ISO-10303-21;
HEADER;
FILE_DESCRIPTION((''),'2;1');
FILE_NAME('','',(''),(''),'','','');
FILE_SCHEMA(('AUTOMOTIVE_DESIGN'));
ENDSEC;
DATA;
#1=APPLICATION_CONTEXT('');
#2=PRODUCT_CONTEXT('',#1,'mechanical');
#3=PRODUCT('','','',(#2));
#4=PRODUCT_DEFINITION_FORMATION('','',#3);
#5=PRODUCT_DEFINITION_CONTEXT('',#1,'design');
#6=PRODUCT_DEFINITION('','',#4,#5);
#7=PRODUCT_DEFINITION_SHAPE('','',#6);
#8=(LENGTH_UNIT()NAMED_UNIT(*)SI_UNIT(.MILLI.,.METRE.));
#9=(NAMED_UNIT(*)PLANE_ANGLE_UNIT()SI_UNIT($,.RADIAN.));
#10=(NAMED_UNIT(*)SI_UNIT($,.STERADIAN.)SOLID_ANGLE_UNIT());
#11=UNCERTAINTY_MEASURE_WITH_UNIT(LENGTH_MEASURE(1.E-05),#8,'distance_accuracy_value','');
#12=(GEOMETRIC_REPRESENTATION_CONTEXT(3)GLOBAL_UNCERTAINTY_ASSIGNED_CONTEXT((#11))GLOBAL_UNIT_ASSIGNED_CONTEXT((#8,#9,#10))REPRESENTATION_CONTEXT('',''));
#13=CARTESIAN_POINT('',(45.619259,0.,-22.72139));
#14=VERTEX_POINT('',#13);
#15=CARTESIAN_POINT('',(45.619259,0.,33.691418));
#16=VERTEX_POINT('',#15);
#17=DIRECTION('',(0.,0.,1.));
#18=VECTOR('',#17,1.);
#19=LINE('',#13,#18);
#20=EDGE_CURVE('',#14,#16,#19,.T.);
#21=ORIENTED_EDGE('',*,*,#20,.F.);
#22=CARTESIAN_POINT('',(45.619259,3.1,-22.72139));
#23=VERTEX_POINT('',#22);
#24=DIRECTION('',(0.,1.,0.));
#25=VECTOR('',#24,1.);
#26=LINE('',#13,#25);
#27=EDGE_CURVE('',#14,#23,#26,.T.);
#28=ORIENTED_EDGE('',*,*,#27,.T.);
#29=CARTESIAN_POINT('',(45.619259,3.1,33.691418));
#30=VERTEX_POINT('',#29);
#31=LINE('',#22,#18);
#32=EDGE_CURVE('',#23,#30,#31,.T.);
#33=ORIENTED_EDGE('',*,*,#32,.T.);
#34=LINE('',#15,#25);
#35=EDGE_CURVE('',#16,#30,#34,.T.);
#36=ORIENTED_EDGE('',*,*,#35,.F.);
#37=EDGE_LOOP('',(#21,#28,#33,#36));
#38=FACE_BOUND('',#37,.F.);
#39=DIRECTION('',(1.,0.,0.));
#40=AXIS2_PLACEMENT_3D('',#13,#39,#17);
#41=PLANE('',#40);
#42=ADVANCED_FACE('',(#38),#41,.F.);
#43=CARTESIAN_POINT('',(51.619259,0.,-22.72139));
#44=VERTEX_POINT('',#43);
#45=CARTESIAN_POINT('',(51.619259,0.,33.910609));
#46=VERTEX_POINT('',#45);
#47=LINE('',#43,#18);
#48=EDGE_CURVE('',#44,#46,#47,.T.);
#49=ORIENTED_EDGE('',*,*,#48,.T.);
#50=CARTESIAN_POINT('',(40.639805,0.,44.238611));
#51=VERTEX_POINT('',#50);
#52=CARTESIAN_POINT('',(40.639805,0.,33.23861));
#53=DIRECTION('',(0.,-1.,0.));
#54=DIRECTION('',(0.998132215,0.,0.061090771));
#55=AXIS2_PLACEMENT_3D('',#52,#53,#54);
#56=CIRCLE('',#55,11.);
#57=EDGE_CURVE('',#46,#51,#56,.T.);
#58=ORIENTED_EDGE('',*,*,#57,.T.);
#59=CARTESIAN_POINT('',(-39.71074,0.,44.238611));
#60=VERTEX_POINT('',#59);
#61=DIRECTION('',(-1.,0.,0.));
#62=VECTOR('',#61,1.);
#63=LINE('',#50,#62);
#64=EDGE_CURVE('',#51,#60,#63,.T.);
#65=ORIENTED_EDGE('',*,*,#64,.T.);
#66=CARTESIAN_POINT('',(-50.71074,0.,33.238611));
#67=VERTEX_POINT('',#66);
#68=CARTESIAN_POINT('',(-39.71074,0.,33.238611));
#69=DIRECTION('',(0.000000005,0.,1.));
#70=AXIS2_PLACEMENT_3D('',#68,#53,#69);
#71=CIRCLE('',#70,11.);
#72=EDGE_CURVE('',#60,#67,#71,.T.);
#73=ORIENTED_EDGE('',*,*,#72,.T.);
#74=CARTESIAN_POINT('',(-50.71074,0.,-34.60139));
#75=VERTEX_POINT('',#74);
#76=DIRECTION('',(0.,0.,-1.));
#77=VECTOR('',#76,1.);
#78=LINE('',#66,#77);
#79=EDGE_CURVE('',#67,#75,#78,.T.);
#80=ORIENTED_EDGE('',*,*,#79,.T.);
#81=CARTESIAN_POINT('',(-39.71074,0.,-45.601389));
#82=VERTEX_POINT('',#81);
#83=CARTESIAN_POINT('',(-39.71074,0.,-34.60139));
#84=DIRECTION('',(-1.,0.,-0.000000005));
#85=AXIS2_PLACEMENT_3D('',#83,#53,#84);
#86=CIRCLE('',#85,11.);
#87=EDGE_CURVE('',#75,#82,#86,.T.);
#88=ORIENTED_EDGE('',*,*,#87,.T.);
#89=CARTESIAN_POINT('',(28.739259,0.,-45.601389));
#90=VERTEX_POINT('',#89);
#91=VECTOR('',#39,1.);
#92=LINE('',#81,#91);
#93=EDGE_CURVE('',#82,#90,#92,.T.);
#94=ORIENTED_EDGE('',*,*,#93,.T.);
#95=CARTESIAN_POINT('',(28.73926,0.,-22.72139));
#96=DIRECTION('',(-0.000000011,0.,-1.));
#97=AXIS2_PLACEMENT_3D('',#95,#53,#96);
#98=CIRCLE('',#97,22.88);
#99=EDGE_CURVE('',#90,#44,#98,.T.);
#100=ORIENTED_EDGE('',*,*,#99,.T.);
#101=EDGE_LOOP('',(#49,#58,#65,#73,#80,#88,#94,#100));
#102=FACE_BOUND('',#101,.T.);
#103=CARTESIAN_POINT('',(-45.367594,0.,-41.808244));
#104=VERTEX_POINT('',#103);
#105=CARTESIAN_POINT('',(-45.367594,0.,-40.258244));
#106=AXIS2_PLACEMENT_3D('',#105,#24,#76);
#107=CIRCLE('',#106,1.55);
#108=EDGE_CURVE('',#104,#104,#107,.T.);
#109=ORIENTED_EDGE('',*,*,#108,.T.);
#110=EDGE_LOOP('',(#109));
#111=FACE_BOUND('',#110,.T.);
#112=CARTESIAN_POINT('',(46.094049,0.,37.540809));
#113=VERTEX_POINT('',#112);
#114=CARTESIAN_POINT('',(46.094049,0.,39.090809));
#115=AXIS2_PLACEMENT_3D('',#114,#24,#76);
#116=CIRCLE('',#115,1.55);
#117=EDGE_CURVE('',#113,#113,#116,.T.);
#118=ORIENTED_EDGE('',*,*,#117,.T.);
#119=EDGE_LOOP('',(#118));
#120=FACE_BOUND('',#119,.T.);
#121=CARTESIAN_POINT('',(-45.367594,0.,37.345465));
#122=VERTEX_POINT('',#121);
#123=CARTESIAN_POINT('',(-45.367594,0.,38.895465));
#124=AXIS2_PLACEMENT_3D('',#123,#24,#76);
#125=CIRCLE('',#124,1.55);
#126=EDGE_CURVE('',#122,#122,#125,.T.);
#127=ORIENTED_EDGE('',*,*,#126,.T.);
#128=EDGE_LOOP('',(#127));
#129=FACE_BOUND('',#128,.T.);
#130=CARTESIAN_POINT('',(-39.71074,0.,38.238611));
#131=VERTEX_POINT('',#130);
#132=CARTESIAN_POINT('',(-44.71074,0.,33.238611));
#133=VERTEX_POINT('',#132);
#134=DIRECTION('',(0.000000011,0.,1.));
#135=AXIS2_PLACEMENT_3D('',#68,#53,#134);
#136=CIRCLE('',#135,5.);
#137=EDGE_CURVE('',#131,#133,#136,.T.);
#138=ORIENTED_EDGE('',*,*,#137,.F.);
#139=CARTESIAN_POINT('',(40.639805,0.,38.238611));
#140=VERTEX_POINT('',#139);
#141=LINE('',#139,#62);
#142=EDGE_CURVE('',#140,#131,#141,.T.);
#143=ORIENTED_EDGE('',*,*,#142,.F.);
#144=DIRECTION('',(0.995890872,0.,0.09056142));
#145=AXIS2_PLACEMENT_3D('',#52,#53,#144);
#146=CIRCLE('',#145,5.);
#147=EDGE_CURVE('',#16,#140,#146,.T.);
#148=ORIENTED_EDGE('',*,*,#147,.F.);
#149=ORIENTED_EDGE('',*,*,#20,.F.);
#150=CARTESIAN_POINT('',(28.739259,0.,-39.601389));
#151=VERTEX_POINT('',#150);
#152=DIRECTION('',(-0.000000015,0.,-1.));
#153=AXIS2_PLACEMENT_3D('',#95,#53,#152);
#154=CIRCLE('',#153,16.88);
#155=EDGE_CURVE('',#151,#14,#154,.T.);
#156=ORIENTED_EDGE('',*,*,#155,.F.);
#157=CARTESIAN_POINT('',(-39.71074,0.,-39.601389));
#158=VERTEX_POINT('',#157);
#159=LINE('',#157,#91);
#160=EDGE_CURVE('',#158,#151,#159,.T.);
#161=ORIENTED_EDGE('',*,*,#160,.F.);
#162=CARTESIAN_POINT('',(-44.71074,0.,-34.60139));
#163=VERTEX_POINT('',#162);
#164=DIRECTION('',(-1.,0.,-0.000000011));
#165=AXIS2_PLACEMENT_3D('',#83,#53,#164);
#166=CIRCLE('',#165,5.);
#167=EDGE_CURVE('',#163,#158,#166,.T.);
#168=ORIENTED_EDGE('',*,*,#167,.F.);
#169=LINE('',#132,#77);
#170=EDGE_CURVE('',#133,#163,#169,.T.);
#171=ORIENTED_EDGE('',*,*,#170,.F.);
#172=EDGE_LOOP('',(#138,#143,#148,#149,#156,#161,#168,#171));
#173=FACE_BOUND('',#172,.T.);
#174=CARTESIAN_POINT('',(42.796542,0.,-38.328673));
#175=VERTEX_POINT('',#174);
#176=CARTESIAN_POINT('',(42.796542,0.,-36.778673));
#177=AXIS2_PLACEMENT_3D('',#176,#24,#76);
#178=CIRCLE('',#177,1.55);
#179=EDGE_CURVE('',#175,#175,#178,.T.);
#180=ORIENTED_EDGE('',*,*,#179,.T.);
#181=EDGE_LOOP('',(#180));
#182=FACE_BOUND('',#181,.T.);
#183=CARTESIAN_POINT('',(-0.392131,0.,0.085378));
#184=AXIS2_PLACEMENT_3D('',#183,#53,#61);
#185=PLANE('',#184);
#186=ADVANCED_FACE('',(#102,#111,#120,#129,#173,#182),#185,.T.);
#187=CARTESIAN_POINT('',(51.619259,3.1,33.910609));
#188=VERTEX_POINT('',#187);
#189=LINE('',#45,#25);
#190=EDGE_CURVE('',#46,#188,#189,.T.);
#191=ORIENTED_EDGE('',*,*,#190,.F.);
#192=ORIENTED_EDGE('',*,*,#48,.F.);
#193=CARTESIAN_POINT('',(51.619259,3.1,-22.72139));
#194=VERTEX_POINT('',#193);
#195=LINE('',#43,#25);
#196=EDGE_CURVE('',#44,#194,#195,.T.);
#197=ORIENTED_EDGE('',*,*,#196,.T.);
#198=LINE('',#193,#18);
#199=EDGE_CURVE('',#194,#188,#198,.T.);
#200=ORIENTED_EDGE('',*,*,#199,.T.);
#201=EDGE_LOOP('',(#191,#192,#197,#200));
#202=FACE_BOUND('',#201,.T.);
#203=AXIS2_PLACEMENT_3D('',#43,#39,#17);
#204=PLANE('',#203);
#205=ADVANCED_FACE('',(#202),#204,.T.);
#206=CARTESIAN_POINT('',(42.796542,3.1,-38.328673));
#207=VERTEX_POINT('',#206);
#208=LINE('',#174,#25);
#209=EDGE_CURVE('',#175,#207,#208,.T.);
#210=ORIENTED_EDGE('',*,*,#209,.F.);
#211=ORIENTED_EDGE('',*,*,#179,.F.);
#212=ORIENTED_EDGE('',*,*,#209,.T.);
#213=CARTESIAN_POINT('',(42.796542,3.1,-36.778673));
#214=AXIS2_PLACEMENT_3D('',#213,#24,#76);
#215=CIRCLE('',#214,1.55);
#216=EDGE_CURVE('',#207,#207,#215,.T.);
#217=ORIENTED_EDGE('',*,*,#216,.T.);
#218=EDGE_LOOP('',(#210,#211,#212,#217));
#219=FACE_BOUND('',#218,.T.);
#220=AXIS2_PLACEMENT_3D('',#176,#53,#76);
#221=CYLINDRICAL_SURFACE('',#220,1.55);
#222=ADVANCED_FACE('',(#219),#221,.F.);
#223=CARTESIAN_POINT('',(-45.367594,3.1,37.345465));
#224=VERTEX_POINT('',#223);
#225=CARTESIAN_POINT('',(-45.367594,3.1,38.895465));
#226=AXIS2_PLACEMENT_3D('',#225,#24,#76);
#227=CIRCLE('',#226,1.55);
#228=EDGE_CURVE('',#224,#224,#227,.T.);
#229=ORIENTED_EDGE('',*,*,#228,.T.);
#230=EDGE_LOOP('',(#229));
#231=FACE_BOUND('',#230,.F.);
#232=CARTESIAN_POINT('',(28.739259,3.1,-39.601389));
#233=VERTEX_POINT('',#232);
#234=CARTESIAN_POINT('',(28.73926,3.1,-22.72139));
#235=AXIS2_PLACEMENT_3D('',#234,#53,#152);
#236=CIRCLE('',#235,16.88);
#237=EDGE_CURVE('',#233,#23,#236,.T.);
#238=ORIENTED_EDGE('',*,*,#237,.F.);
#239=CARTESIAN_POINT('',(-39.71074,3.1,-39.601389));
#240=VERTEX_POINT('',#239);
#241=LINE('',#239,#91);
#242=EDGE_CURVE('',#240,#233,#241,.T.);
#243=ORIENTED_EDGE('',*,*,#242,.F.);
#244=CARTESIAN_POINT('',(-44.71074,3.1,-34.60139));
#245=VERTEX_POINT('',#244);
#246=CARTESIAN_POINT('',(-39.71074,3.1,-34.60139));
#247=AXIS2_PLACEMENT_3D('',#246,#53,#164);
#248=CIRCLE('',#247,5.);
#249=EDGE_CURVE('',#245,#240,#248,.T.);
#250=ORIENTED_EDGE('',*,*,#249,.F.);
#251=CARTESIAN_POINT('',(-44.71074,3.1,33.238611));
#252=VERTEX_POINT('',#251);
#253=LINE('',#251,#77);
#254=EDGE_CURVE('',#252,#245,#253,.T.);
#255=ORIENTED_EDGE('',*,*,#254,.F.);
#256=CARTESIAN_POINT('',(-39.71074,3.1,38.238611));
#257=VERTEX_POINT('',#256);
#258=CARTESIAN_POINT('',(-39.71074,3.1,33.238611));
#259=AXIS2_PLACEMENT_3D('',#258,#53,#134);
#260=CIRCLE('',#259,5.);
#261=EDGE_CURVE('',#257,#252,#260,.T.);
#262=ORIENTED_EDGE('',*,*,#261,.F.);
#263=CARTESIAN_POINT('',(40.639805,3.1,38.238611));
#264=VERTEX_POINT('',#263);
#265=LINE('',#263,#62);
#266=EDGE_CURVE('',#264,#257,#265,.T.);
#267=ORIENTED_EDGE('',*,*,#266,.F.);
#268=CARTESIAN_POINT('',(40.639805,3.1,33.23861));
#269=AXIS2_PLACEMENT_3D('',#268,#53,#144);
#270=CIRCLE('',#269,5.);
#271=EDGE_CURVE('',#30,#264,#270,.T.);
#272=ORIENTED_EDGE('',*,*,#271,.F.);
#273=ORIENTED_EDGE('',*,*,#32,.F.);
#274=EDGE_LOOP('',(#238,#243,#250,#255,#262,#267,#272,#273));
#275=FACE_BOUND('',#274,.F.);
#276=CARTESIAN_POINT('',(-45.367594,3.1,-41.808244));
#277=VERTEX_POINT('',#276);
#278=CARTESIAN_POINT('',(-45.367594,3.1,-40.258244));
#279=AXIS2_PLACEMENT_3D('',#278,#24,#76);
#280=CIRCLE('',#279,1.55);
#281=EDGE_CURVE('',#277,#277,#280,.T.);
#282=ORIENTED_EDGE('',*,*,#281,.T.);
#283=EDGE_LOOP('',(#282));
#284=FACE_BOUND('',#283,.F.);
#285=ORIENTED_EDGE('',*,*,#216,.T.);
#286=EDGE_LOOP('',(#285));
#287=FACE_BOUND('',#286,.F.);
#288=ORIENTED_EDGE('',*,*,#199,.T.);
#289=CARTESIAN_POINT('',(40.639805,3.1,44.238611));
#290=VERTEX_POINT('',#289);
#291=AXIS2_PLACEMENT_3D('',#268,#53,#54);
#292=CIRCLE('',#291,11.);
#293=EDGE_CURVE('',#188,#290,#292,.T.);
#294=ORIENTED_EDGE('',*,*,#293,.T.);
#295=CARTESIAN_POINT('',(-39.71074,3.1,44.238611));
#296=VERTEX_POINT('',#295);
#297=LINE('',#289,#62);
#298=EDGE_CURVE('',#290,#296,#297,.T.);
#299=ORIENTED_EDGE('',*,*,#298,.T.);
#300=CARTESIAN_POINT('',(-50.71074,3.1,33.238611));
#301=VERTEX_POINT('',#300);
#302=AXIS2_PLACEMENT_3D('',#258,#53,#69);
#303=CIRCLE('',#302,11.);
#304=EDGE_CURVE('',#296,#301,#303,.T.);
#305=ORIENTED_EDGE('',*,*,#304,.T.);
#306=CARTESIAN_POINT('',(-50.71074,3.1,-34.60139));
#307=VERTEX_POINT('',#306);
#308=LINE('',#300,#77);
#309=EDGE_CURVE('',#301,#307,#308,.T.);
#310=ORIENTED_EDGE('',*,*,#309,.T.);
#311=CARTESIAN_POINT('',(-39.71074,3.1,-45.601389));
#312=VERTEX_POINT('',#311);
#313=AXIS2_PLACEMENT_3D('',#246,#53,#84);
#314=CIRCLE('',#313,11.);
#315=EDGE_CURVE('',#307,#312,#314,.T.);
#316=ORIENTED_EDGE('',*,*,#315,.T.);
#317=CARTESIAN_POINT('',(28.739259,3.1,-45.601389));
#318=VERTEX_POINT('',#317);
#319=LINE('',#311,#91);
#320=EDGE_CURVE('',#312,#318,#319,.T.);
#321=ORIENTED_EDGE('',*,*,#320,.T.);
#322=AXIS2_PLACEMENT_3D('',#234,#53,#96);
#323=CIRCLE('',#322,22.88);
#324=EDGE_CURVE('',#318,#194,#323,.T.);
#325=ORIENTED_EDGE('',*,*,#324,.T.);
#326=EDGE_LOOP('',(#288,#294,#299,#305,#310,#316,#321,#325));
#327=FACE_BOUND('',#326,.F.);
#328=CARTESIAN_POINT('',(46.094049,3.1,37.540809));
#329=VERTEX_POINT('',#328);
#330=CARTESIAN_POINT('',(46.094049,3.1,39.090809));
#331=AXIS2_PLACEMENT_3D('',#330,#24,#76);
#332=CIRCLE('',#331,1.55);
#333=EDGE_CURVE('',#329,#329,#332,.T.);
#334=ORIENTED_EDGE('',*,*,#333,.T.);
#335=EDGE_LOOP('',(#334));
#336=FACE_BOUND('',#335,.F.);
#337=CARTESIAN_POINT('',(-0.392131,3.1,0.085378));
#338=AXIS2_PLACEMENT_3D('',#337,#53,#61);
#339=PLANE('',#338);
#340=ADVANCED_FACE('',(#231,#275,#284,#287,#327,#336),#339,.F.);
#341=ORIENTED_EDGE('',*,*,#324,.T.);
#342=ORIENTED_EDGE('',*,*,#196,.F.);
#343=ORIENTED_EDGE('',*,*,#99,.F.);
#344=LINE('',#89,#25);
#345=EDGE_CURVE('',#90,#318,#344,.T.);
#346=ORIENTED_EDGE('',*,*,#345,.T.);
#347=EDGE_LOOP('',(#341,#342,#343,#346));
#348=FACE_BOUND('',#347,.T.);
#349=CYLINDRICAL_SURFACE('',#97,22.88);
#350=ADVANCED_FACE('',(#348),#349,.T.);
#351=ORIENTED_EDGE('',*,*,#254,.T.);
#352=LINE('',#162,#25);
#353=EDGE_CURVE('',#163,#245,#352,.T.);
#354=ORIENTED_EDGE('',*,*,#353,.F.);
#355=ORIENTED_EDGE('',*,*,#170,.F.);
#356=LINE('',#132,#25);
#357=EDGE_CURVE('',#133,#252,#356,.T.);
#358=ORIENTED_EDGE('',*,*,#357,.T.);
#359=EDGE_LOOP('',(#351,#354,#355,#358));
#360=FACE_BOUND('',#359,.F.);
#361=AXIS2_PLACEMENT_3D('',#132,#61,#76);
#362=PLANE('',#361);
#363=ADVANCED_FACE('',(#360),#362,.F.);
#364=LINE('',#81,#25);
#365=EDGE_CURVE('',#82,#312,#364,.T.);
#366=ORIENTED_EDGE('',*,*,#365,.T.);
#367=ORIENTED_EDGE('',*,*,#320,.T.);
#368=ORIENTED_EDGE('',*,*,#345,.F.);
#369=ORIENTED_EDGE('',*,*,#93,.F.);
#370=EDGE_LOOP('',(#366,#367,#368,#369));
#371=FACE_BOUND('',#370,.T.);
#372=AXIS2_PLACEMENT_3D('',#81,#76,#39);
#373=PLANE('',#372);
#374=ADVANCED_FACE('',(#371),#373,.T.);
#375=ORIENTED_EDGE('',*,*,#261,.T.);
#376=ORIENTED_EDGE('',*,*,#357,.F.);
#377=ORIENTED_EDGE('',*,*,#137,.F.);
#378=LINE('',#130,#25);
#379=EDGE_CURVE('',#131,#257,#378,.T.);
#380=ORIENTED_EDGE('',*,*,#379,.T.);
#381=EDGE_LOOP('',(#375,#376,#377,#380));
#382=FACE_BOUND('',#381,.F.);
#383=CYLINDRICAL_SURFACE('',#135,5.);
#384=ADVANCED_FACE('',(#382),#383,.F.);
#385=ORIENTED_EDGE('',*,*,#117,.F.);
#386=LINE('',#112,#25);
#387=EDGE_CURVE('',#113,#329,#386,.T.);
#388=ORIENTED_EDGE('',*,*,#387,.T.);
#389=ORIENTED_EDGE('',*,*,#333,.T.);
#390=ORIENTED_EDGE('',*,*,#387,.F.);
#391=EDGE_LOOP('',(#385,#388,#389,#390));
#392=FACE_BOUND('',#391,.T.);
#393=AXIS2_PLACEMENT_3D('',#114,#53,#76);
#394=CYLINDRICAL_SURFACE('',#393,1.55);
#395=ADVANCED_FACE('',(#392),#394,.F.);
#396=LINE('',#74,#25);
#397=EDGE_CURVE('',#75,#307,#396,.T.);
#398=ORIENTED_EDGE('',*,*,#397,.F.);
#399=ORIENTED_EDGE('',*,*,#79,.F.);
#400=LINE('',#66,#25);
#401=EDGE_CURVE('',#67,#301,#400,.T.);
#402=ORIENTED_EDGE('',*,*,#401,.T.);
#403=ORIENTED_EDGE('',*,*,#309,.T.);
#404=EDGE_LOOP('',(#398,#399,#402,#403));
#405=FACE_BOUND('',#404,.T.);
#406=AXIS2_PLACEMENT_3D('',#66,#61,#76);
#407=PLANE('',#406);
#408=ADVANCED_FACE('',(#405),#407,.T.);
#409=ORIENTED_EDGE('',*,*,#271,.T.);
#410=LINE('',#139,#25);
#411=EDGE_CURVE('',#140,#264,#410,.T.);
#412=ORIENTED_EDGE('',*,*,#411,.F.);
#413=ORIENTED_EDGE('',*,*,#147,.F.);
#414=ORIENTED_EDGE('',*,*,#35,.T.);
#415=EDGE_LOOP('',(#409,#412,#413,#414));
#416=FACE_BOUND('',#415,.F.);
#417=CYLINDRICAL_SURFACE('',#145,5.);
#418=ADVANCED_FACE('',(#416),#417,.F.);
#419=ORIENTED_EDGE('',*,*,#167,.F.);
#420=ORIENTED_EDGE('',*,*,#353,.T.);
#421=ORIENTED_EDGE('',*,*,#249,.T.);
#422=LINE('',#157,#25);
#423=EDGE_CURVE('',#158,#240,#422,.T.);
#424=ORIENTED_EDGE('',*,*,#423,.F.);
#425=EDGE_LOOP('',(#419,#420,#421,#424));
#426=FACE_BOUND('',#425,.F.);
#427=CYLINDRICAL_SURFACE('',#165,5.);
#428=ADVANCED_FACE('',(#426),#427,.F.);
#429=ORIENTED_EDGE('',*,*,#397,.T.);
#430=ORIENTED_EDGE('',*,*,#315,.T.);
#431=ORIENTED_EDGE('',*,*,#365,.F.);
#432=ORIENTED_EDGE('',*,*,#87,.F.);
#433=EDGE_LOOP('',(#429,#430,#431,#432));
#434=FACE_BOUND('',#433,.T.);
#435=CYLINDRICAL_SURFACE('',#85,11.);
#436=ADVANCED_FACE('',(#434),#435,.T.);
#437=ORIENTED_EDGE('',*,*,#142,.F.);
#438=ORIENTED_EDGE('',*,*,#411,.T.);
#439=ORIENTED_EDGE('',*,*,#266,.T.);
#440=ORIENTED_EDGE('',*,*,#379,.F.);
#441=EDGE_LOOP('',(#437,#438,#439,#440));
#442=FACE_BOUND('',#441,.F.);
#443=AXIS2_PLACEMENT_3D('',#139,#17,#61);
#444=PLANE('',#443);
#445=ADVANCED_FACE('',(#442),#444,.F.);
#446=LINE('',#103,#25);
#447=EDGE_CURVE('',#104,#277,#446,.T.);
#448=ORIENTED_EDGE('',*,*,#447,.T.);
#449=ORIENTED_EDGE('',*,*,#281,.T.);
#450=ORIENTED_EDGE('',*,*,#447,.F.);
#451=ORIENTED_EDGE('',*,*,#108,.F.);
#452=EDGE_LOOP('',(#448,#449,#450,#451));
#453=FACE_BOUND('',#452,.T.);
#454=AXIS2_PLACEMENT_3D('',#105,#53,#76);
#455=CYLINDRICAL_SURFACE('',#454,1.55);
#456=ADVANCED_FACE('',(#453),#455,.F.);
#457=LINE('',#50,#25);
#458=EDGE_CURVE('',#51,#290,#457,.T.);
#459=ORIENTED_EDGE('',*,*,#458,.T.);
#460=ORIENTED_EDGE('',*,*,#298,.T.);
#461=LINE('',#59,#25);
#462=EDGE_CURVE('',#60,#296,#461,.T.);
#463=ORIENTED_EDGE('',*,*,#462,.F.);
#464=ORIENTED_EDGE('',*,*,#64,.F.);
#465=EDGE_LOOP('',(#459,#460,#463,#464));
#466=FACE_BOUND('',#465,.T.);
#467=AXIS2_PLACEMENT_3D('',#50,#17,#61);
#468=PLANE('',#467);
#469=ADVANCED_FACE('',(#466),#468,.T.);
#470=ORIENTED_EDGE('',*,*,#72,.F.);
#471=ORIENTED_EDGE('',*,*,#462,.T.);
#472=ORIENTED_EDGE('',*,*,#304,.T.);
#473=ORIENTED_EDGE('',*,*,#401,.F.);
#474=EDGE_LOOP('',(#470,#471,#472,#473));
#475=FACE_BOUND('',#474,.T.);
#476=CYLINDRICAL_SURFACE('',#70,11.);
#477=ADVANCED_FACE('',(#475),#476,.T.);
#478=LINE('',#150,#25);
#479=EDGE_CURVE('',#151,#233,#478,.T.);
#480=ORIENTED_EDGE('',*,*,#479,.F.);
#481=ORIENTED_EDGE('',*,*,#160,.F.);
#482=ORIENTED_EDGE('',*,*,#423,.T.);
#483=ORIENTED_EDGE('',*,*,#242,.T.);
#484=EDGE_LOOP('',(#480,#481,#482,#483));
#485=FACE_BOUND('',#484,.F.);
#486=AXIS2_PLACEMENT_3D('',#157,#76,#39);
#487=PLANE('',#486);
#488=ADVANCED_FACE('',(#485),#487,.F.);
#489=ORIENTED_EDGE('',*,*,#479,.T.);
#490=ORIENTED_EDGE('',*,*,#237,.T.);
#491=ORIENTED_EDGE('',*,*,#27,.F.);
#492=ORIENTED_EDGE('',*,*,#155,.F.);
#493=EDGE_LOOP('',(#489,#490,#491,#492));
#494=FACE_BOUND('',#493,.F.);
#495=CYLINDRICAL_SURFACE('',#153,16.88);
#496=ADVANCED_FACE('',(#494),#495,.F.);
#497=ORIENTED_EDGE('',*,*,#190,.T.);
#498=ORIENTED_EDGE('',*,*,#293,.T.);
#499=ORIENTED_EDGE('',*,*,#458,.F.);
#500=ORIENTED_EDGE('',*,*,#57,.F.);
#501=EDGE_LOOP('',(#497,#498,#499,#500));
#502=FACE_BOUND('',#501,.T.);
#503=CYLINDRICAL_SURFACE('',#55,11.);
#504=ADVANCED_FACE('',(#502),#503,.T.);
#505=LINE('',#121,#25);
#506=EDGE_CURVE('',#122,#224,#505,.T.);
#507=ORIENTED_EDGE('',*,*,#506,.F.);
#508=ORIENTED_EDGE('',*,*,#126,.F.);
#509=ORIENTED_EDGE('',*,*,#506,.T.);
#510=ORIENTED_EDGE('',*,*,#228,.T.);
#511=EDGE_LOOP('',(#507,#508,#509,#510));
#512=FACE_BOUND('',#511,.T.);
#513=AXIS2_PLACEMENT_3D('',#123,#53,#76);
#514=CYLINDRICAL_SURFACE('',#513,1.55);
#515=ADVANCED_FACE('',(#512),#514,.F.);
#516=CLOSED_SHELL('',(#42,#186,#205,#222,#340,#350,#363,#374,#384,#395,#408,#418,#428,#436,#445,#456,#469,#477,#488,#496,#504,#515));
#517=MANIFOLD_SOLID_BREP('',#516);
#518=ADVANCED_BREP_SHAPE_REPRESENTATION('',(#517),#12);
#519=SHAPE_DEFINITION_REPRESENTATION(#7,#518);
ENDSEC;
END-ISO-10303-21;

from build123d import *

# Parameters (mm, degrees)
SKETCH1_R           = 1.549999996
SKETCH1_R_2         = 1.549999999
SKETCH1_R_3         = 1.550000006
SKETCH1_R_4         = 1.55
BOSS_EXTRUDE1_DEPTH = 3.1


with BuildPart() as part:
    # Sketch1 → Boss-Extrude1 (new body)
    with BuildSketch(Plane(origin=(0, 0, 0), x_dir=(1, 0, 0), z_dir=(0, 1, 0))):
        with BuildLine():
            Line((-39.710740333, 45.601389456), (28.739259425, 45.601389477))
            ThreePointArc((28.739259425, 45.601389477), (44.917862489, 38.899992874), (51.619259444, 22.721389957))
            Line((51.619259444, 22.721389957), (51.619259444, -33.910608927))
            ThreePointArc((51.619259444, -33.910608927), (48.176648434, -41.250850634), (40.639804947, -44.238610519))
            Line((40.639804947, -44.238610519), (-39.710740094, -44.238610544))
            ThreePointArc((-39.710740094, -44.238610544), (-47.488914725, -41.01678516), (-50.710740163, -33.23861055))
            Line((-50.710740163, -33.23861055), (-50.710740163, 34.601389583))
            ThreePointArc((-50.710740163, 34.601389583), (-47.488914793, 42.379564056), (-39.710740333, 45.601389456))
        make_face()
        with Locations(Location((-45.367594445, 40.258243716, 0), (0, 0, 90))):
            Circle(SKETCH1_R, mode=Mode.SUBTRACT)
        with Locations(Location((-45.367594389, -38.895464809, 0), (0, 0, 90))):
            Circle(SKETCH1_R_2, mode=Mode.SUBTRACT)
        with Locations(Location((46.094048666, -39.090808696, 0), (0, 0, 90))):
            Circle(SKETCH1_R_3, mode=Mode.SUBTRACT)
        with Locations(Location((42.796542168, 36.778672508, 0), (0, 0, 90))):
            Circle(SKETCH1_R_4, mode=Mode.SUBTRACT)
        with BuildLine():
            Line((-39.710740331, 39.601389456), (28.739259427, 39.601389477))
            ThreePointArc((28.739259427, 39.601389477), (40.675221825, 34.657352163), (45.619259444, 22.721389891))
            Line((45.619259444, 22.721389891), (45.619259444, -33.691417556))
            ThreePointArc((45.619259444, -33.691417556), (44.011448898, -36.930766758), (40.639804981, -38.238610519))
            Line((40.639804981, -38.238610519), (-39.710740095, -38.238610544))
            ThreePointArc((-39.710740095, -38.238610544), (-43.246274043, -36.774144468), (-44.710740163, -33.238610539))
            Line((-44.710740163, -33.238610539), (-44.710740163, 34.601389583))
            ThreePointArc((-44.710740163, 34.601389583), (-43.246274105, 38.136923369), (-39.710740331, 39.601389456))
        make_face(mode=Mode.SUBTRACT)
    extrude(amount=BOSS_EXTRUDE1_DEPTH)


solid = part.part
